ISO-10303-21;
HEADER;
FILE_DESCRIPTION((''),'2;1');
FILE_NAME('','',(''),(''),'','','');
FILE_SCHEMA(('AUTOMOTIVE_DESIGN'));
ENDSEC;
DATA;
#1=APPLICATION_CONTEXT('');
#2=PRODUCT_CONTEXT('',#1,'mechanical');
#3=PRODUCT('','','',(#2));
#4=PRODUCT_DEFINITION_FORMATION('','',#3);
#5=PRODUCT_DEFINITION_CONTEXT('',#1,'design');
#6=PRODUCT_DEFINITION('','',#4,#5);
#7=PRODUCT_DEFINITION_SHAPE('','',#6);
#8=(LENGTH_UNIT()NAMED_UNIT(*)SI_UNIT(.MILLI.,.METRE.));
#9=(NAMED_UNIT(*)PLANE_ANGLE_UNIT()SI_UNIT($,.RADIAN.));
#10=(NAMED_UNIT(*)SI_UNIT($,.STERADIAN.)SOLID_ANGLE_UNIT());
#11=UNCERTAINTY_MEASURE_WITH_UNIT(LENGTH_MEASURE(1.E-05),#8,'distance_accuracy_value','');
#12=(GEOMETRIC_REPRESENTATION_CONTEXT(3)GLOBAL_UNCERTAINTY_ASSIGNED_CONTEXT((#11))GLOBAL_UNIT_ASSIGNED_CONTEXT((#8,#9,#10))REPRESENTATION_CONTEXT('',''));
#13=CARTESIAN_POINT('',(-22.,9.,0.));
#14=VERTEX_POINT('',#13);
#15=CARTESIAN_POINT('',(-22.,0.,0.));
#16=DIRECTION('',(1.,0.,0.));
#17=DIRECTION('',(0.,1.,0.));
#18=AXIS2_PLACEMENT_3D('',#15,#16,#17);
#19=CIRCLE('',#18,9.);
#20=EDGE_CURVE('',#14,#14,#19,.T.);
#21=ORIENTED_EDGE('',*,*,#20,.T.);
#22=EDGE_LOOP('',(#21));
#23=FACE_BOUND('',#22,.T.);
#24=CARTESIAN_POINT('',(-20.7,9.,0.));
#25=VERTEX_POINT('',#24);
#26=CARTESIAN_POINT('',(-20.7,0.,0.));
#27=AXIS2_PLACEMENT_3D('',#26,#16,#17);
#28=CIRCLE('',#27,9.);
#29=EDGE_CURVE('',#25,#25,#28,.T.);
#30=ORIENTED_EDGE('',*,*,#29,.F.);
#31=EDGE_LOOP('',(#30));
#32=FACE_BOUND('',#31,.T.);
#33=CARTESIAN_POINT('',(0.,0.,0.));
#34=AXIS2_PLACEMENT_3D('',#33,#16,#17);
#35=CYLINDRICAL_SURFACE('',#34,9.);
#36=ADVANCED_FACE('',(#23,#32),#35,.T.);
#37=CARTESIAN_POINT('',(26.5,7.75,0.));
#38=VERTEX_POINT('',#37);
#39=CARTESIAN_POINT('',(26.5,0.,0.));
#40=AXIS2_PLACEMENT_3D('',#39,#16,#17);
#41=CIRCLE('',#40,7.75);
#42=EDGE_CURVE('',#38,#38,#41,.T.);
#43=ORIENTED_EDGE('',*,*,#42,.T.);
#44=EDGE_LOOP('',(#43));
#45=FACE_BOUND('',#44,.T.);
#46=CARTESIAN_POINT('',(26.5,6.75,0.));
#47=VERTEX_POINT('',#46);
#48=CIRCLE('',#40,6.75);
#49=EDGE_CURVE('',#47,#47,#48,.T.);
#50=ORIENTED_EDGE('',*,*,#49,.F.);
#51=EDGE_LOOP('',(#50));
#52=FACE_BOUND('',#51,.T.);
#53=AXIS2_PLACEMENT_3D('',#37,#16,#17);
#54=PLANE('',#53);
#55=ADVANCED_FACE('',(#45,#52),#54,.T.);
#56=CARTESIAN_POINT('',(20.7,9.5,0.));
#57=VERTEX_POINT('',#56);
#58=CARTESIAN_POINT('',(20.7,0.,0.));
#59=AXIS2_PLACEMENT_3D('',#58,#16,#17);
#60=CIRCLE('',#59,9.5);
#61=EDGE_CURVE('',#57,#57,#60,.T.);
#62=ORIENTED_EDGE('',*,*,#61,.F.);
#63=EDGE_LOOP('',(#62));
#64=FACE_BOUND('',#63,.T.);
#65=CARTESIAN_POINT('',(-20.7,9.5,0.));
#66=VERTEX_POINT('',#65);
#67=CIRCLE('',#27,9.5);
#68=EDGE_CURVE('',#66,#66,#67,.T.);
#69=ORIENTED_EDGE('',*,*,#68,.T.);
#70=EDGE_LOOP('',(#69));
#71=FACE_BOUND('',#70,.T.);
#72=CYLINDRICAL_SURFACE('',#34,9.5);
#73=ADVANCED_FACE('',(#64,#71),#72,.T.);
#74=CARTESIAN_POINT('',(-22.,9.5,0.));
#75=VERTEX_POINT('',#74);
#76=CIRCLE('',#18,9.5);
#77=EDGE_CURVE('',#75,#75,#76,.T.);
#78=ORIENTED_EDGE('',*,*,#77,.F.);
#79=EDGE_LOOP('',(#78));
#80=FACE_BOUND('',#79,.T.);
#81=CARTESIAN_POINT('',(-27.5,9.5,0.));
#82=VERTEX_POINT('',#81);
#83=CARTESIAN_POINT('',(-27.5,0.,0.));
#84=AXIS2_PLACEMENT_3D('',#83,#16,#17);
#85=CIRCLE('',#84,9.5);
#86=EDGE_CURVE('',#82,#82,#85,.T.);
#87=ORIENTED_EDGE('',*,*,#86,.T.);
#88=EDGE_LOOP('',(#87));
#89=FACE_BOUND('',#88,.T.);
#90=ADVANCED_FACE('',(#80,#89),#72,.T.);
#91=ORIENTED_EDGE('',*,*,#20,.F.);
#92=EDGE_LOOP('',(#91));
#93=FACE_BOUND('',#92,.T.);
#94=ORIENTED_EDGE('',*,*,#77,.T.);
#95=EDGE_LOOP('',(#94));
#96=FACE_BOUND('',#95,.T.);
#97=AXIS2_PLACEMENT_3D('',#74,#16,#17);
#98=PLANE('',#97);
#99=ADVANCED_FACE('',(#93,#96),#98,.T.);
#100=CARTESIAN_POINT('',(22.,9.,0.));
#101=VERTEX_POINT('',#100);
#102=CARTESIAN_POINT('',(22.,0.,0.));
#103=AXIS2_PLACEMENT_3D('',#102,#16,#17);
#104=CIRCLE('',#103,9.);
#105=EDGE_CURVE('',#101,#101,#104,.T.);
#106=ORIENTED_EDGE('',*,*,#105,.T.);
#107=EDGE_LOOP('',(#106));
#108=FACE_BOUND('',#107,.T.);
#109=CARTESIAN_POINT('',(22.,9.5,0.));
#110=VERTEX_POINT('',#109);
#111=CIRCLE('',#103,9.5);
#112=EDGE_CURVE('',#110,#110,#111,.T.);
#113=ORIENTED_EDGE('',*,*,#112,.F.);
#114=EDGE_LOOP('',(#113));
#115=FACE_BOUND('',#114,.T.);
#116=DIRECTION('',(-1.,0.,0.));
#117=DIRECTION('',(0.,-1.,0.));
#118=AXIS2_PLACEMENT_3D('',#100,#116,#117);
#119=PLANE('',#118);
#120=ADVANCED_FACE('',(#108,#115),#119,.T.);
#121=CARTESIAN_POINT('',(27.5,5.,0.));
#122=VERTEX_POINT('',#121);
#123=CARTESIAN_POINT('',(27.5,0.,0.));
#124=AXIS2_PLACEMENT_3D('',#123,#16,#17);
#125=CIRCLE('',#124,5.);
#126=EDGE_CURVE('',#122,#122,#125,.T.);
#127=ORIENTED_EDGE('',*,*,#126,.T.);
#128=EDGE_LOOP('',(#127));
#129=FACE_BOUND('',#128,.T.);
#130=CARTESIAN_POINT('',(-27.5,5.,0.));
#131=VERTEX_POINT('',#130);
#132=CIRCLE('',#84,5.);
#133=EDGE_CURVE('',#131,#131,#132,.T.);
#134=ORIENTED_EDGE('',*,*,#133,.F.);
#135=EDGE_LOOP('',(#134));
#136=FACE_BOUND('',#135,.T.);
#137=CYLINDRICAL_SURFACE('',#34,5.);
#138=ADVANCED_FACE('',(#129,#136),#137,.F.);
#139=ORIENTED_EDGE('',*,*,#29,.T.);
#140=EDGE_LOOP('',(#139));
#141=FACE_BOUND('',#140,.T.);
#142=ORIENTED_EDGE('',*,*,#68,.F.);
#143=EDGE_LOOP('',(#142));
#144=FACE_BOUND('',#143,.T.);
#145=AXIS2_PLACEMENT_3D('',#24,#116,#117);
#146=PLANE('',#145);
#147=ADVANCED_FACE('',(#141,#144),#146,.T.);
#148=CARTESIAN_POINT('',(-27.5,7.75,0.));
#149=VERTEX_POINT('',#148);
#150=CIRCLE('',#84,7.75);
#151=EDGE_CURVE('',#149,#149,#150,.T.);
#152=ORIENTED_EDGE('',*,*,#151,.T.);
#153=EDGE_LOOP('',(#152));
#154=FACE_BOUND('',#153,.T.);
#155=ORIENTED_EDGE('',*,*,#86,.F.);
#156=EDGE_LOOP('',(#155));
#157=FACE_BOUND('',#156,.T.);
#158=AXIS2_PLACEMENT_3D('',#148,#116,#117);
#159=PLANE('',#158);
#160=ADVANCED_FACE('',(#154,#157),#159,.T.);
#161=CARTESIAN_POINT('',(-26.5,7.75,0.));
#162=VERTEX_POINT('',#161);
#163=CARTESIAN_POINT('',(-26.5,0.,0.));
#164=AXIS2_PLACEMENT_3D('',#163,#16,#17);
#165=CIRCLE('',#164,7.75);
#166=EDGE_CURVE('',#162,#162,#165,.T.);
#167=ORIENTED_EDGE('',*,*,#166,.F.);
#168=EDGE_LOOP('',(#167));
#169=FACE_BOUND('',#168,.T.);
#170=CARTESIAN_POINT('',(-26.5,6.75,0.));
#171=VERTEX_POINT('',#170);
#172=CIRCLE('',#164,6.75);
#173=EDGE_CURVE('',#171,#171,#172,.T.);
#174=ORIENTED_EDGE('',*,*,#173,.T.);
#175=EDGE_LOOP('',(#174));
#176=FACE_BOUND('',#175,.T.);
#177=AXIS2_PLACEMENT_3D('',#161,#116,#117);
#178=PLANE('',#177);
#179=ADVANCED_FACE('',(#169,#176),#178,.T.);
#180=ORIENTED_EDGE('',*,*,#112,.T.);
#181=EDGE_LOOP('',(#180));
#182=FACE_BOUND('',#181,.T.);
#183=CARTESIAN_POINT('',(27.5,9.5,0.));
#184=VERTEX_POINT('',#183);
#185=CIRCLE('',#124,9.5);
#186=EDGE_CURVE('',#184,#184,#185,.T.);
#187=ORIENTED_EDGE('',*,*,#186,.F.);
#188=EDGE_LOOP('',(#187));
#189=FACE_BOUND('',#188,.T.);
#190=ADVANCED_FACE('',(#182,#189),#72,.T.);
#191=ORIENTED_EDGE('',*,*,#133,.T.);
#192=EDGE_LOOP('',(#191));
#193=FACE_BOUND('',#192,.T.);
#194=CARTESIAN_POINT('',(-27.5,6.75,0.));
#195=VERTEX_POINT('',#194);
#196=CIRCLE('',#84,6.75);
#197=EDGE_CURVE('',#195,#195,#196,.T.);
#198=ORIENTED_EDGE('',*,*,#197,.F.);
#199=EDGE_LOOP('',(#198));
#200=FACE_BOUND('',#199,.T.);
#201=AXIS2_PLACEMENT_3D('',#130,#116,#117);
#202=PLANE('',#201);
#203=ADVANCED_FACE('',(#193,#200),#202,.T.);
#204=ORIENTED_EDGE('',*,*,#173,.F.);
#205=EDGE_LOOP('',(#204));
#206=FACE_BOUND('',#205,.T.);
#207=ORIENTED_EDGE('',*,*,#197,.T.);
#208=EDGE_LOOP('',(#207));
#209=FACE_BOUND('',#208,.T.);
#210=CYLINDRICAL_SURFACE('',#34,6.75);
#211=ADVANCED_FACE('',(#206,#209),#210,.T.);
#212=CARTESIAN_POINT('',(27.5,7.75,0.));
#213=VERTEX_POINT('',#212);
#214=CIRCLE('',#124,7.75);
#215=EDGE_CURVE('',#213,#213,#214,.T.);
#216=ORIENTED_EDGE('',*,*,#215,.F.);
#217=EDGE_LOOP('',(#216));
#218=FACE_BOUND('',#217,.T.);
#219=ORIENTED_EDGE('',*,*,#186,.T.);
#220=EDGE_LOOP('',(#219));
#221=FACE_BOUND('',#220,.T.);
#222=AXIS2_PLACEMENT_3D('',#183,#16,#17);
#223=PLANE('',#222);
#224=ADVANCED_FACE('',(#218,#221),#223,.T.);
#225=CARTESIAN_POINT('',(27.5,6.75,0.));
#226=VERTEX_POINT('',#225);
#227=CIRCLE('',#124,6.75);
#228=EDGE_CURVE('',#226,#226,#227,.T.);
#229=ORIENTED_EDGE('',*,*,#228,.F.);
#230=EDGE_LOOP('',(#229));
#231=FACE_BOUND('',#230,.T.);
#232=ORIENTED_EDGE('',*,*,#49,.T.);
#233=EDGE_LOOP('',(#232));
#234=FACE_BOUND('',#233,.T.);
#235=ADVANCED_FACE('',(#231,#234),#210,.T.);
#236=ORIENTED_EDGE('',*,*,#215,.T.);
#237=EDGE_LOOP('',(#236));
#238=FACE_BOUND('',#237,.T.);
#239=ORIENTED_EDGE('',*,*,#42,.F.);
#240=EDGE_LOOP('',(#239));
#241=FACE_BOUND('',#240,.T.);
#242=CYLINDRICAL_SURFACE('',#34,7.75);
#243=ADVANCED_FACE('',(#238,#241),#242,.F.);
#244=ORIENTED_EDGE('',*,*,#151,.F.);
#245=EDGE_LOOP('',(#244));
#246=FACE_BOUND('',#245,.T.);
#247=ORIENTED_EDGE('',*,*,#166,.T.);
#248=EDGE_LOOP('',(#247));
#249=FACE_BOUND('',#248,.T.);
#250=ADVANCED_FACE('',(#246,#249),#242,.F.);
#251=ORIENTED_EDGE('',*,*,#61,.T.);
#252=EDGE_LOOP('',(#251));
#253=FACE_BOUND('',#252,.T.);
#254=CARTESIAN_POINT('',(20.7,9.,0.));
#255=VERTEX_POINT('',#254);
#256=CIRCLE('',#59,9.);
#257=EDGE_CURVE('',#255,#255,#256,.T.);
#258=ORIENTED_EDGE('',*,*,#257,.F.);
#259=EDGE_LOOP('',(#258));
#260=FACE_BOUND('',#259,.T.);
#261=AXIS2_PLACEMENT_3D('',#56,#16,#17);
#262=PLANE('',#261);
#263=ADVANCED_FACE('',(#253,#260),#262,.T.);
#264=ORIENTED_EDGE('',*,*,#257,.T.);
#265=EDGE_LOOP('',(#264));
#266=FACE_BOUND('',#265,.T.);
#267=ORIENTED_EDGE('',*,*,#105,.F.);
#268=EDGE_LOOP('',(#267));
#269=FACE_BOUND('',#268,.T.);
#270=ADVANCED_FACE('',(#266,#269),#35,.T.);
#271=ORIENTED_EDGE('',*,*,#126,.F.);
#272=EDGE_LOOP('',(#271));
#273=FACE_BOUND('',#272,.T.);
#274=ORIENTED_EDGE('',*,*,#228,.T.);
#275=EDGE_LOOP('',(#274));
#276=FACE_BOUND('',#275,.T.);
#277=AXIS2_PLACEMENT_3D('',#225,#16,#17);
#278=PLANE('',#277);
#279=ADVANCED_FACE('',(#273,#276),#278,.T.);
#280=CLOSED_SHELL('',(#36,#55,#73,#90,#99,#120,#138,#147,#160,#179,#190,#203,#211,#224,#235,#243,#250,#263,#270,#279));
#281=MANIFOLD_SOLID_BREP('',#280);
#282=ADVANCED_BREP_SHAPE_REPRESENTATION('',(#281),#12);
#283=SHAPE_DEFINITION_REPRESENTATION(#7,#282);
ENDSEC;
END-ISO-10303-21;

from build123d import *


with BuildPart() as part:
    # Esboço1 → Revolução1 (revolve)
    with BuildSketch(Plane.XY):
        Polygon((-27.5, 9.5), (-22, 9.5), (-22, 9), (-20.7, 9), (-20.7, 9.5), (20.7, 9.5), (20.7, 9), (22, 9), (22, 9.5), (27.5, 9.5), (27.5, 7.75), (26.5, 7.75), (26.5, 6.75), (27.5, 6.75), (27.5, 5), (-27.5, 5), (-27.5, 6.75), (-26.5, 6.75), (-26.5, 7.75), (-27.5, 7.75), align=None)
    revolve(axis=Axis((0, 0, 0), (-1, 0, 0)))


solid = part.part
